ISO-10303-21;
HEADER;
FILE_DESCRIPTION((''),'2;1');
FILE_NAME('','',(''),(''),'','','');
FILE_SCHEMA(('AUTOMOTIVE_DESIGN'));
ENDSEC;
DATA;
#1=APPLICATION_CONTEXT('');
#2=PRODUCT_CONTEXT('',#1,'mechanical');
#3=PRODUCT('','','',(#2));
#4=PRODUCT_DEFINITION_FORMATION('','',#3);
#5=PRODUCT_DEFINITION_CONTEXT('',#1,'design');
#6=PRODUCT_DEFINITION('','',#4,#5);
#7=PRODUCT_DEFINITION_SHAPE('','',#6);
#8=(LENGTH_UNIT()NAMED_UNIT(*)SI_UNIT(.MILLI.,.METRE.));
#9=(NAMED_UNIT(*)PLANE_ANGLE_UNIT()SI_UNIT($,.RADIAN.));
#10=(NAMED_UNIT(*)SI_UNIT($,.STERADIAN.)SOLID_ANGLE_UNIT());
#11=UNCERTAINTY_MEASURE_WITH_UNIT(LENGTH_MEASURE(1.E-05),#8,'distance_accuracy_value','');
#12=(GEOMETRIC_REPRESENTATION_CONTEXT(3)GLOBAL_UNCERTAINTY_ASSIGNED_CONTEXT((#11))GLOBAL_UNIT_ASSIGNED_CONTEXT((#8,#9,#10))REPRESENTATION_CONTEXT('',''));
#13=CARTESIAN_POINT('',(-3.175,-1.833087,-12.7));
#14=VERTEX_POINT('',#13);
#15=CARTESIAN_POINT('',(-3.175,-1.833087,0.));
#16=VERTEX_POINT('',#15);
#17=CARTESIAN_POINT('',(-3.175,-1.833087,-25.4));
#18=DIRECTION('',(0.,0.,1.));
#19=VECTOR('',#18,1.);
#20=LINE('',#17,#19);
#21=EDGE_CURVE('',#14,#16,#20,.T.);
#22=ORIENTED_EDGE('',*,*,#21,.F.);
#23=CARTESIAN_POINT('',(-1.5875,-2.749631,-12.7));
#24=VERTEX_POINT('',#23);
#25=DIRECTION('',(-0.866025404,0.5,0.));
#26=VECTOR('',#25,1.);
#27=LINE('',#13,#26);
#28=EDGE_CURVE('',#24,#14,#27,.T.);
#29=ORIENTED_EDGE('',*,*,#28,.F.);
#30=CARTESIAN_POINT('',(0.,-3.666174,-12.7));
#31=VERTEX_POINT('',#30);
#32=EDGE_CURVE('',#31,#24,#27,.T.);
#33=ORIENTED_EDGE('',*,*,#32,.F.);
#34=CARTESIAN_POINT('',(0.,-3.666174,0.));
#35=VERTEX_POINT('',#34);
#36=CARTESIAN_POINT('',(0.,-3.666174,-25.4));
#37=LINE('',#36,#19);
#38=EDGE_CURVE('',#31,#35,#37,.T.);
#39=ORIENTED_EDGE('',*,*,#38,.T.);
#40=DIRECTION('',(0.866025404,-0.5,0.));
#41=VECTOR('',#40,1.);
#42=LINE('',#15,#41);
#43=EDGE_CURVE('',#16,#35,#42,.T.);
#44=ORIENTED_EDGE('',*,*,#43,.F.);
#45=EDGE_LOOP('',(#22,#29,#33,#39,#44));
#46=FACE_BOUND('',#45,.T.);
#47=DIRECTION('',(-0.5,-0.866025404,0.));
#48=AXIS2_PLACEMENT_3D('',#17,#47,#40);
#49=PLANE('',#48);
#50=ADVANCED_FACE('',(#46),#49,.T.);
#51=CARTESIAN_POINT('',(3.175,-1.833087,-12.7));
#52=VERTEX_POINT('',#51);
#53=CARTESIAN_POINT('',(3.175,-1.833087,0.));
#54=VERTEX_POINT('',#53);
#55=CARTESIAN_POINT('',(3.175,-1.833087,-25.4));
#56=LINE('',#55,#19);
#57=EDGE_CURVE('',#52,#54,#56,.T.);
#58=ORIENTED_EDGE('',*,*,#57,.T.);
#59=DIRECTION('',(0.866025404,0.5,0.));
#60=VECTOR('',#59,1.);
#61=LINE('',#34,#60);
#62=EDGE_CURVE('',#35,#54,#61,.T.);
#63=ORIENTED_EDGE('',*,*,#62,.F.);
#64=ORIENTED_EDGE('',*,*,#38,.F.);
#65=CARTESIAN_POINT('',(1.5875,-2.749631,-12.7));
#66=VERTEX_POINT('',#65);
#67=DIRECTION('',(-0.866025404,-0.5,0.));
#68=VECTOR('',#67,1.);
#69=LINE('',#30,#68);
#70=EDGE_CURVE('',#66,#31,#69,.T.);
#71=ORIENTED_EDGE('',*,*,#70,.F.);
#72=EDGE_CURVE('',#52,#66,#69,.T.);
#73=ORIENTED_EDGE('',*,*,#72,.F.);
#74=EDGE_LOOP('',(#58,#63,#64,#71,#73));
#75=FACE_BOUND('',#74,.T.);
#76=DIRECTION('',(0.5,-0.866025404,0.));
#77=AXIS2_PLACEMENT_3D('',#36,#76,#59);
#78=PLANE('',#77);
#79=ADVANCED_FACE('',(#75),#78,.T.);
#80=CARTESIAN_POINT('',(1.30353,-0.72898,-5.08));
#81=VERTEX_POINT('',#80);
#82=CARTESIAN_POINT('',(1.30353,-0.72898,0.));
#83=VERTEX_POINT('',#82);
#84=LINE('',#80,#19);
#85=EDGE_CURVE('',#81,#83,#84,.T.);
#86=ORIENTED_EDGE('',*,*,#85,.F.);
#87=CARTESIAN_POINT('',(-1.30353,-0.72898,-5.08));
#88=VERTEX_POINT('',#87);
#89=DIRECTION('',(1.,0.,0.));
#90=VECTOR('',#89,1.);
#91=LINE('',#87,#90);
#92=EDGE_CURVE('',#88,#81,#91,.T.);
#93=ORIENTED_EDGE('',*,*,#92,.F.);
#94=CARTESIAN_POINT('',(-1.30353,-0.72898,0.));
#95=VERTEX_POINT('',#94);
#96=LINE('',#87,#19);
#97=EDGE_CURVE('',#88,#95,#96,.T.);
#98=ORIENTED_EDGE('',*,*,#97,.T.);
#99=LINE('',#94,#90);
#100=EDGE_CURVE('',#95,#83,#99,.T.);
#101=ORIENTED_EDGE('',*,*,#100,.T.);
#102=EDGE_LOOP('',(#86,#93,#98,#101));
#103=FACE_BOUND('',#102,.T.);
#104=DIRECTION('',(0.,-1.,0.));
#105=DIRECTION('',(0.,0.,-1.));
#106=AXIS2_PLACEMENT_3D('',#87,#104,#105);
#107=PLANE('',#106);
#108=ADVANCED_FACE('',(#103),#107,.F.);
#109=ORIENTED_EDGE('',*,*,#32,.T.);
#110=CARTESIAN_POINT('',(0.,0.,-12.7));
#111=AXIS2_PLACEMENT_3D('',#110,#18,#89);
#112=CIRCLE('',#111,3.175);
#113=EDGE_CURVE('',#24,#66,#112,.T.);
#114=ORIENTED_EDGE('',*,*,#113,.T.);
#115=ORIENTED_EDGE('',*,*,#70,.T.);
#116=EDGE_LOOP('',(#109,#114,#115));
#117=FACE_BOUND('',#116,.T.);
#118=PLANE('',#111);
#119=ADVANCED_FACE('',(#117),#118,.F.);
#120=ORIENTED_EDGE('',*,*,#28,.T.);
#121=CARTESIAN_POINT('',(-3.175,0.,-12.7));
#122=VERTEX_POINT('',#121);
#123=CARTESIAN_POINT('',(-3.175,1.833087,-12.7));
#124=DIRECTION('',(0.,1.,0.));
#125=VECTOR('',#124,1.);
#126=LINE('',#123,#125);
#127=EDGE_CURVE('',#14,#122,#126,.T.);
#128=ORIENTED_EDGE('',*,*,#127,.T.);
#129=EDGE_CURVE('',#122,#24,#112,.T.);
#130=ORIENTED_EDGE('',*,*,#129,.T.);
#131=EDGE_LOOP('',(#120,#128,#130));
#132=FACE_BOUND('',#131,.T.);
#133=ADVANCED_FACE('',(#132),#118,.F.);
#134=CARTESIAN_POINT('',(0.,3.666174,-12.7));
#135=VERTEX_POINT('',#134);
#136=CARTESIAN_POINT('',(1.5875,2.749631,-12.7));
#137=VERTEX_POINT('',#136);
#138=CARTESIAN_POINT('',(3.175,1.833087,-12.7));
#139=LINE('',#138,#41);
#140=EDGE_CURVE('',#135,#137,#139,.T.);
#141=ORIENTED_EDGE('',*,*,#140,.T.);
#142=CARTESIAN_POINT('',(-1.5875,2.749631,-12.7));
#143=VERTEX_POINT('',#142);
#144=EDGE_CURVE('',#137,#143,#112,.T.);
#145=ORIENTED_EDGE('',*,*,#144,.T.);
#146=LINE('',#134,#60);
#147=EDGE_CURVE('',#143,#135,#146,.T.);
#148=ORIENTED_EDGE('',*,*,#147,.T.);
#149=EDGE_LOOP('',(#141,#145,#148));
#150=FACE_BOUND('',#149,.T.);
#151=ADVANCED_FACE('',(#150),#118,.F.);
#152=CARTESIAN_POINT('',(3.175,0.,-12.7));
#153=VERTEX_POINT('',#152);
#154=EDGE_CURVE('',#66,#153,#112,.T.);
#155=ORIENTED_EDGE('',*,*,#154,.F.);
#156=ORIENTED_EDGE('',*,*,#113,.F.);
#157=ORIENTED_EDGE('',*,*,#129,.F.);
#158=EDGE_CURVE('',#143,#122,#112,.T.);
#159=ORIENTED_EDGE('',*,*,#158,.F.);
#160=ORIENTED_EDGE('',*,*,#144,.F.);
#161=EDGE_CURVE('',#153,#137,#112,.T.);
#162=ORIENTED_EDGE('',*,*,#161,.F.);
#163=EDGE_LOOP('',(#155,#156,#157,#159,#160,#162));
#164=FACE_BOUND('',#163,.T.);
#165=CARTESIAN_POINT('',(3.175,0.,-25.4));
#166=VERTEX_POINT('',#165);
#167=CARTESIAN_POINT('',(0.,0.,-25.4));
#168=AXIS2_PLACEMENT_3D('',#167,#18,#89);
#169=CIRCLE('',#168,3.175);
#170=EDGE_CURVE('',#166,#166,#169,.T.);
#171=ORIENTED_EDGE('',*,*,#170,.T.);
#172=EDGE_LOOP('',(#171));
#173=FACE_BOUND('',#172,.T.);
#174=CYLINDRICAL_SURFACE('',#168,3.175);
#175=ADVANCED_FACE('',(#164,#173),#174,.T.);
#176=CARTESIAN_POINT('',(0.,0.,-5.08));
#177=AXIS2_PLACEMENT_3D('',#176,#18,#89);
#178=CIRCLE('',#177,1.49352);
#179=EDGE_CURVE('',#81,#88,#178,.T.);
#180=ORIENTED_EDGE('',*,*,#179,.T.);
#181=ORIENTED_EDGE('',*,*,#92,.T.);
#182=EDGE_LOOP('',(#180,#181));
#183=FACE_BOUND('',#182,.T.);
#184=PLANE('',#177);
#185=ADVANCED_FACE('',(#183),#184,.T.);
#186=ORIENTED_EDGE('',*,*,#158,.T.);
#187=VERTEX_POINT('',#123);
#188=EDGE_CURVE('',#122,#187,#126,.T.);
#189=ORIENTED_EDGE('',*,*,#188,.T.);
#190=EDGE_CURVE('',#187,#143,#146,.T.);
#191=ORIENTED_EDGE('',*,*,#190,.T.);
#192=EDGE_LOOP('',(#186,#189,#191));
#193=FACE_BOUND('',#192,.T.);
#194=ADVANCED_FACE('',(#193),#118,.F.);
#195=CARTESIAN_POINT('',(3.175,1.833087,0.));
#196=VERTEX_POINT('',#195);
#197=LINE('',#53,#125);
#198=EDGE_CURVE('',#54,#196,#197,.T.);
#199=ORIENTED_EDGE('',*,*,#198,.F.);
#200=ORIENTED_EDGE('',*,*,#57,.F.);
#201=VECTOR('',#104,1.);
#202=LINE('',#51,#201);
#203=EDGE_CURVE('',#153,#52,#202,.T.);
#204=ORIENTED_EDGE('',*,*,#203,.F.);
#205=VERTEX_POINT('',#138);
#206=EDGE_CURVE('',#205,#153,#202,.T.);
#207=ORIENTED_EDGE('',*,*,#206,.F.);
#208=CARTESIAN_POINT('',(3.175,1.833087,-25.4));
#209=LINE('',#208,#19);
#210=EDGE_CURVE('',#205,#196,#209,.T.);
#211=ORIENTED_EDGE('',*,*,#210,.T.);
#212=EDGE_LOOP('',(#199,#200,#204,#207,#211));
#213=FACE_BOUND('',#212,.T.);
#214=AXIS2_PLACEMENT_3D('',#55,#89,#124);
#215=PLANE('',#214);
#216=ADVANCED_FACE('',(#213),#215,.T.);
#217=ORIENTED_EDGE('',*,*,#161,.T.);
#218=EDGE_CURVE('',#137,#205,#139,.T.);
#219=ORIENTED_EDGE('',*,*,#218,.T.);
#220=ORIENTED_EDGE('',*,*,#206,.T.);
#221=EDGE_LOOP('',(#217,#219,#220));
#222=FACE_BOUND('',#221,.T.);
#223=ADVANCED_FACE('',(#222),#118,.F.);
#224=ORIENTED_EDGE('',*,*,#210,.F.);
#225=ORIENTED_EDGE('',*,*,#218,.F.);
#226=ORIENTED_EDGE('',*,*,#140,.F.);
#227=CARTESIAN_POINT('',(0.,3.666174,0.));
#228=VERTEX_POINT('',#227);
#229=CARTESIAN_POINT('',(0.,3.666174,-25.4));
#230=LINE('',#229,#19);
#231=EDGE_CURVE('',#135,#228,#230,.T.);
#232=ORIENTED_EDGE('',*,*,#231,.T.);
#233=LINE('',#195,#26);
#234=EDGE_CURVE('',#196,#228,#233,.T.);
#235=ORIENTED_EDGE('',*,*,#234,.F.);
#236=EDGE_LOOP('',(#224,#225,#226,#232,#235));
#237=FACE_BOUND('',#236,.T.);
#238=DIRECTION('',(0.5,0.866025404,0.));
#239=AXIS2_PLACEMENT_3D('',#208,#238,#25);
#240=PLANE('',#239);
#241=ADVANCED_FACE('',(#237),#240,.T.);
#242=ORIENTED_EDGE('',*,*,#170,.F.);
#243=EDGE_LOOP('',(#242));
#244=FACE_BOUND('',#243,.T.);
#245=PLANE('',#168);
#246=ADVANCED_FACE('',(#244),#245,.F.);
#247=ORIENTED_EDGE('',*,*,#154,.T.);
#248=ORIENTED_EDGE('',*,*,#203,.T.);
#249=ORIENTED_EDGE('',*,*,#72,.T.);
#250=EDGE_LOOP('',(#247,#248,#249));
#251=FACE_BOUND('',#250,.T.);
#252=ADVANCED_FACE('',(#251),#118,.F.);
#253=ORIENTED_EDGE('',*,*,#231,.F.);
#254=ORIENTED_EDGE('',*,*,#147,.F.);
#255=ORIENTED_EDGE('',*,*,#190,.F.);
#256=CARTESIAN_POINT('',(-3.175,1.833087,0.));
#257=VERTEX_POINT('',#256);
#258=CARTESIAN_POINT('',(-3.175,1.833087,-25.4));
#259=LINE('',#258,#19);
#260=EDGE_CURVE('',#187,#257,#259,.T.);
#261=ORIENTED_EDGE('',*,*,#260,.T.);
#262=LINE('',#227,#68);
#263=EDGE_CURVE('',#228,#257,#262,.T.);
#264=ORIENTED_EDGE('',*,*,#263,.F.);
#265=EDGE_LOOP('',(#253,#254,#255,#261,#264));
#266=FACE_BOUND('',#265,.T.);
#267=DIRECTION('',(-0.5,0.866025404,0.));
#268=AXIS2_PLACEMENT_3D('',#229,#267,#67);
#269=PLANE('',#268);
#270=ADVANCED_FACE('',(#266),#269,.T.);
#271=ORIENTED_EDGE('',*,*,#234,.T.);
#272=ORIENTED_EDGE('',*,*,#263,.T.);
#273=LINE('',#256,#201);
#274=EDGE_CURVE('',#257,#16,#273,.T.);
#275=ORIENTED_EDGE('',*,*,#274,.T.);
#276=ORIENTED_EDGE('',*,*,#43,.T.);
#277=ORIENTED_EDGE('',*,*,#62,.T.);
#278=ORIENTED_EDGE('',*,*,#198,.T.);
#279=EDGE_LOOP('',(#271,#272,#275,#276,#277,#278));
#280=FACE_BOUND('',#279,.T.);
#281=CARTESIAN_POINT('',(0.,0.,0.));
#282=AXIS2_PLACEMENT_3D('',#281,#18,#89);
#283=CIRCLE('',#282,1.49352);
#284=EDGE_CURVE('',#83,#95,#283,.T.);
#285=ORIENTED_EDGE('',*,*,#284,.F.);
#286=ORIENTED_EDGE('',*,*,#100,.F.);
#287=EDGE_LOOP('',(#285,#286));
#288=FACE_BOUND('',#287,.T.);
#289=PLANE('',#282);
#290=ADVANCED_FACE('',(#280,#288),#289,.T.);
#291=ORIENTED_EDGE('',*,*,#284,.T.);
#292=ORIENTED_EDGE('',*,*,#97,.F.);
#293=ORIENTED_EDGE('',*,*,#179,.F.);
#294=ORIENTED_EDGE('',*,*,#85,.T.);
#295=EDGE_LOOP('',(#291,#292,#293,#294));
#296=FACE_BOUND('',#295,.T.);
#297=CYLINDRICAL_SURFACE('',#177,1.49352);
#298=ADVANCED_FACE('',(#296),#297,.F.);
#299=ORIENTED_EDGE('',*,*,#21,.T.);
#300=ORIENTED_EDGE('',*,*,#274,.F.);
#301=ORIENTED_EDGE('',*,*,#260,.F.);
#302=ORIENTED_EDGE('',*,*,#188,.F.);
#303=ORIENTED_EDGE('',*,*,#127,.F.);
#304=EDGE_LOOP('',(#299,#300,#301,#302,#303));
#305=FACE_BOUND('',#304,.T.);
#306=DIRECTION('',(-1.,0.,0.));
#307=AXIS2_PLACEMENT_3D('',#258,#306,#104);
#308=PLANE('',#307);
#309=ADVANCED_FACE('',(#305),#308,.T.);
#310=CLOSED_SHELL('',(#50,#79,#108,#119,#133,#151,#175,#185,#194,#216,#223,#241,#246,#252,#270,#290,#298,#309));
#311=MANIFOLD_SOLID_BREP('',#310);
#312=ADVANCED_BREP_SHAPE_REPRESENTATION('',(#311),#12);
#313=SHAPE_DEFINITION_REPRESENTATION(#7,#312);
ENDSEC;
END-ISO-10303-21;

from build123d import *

# Parameters (mm, degrees)
BOSS_EXTRUDE1_DEPTH = 25.4
CUT_EXTRUDE1_DEPTH  = 5.08
SKETCH3_OUTSIDE_W   = 13.788
SKETCH3_OUTSIDE_H   = 14.77
SKETCH3_OUTSIDE_R   = 3.175
CUT_EXTRUDE2_DEPTH  = 13.7


with BuildPart() as part:
    # Sketch1 → Boss-Extrude1 (new body)
    with BuildSketch(Plane.XY):
        Polygon((0, 3.666174209), (-3.175, 1.833087105), (-3.175, -1.833087105), (0, -3.666174209), (3.175, -1.833087105), (3.175, 1.833087105), align=None)
    extrude(amount=-BOSS_EXTRUDE1_DEPTH)

    # Sketch2 → Cut-Extrude1 (cut)
    with BuildSketch(Plane.XY):
        with BuildLine():
            Line((-1.303529881, -0.72898), (1.303529881, -0.72898))
            ThreePointArc((1.303529881, -0.72898), (0, 1.49352), (-1.303529881, -0.72898))
        make_face()
    extrude(amount=-CUT_EXTRUDE1_DEPTH, mode=Mode.SUBTRACT)

    # Sketch3 outside → Cut-Extrude2 (cut, through all)
    with BuildSketch(Plane.XY.offset(-12.7)):
        Rectangle(SKETCH3_OUTSIDE_W, SKETCH3_OUTSIDE_H)
        Circle(SKETCH3_OUTSIDE_R, mode=Mode.SUBTRACT)
    extrude(amount=-CUT_EXTRUDE2_DEPTH, mode=Mode.SUBTRACT)


solid = part.part
